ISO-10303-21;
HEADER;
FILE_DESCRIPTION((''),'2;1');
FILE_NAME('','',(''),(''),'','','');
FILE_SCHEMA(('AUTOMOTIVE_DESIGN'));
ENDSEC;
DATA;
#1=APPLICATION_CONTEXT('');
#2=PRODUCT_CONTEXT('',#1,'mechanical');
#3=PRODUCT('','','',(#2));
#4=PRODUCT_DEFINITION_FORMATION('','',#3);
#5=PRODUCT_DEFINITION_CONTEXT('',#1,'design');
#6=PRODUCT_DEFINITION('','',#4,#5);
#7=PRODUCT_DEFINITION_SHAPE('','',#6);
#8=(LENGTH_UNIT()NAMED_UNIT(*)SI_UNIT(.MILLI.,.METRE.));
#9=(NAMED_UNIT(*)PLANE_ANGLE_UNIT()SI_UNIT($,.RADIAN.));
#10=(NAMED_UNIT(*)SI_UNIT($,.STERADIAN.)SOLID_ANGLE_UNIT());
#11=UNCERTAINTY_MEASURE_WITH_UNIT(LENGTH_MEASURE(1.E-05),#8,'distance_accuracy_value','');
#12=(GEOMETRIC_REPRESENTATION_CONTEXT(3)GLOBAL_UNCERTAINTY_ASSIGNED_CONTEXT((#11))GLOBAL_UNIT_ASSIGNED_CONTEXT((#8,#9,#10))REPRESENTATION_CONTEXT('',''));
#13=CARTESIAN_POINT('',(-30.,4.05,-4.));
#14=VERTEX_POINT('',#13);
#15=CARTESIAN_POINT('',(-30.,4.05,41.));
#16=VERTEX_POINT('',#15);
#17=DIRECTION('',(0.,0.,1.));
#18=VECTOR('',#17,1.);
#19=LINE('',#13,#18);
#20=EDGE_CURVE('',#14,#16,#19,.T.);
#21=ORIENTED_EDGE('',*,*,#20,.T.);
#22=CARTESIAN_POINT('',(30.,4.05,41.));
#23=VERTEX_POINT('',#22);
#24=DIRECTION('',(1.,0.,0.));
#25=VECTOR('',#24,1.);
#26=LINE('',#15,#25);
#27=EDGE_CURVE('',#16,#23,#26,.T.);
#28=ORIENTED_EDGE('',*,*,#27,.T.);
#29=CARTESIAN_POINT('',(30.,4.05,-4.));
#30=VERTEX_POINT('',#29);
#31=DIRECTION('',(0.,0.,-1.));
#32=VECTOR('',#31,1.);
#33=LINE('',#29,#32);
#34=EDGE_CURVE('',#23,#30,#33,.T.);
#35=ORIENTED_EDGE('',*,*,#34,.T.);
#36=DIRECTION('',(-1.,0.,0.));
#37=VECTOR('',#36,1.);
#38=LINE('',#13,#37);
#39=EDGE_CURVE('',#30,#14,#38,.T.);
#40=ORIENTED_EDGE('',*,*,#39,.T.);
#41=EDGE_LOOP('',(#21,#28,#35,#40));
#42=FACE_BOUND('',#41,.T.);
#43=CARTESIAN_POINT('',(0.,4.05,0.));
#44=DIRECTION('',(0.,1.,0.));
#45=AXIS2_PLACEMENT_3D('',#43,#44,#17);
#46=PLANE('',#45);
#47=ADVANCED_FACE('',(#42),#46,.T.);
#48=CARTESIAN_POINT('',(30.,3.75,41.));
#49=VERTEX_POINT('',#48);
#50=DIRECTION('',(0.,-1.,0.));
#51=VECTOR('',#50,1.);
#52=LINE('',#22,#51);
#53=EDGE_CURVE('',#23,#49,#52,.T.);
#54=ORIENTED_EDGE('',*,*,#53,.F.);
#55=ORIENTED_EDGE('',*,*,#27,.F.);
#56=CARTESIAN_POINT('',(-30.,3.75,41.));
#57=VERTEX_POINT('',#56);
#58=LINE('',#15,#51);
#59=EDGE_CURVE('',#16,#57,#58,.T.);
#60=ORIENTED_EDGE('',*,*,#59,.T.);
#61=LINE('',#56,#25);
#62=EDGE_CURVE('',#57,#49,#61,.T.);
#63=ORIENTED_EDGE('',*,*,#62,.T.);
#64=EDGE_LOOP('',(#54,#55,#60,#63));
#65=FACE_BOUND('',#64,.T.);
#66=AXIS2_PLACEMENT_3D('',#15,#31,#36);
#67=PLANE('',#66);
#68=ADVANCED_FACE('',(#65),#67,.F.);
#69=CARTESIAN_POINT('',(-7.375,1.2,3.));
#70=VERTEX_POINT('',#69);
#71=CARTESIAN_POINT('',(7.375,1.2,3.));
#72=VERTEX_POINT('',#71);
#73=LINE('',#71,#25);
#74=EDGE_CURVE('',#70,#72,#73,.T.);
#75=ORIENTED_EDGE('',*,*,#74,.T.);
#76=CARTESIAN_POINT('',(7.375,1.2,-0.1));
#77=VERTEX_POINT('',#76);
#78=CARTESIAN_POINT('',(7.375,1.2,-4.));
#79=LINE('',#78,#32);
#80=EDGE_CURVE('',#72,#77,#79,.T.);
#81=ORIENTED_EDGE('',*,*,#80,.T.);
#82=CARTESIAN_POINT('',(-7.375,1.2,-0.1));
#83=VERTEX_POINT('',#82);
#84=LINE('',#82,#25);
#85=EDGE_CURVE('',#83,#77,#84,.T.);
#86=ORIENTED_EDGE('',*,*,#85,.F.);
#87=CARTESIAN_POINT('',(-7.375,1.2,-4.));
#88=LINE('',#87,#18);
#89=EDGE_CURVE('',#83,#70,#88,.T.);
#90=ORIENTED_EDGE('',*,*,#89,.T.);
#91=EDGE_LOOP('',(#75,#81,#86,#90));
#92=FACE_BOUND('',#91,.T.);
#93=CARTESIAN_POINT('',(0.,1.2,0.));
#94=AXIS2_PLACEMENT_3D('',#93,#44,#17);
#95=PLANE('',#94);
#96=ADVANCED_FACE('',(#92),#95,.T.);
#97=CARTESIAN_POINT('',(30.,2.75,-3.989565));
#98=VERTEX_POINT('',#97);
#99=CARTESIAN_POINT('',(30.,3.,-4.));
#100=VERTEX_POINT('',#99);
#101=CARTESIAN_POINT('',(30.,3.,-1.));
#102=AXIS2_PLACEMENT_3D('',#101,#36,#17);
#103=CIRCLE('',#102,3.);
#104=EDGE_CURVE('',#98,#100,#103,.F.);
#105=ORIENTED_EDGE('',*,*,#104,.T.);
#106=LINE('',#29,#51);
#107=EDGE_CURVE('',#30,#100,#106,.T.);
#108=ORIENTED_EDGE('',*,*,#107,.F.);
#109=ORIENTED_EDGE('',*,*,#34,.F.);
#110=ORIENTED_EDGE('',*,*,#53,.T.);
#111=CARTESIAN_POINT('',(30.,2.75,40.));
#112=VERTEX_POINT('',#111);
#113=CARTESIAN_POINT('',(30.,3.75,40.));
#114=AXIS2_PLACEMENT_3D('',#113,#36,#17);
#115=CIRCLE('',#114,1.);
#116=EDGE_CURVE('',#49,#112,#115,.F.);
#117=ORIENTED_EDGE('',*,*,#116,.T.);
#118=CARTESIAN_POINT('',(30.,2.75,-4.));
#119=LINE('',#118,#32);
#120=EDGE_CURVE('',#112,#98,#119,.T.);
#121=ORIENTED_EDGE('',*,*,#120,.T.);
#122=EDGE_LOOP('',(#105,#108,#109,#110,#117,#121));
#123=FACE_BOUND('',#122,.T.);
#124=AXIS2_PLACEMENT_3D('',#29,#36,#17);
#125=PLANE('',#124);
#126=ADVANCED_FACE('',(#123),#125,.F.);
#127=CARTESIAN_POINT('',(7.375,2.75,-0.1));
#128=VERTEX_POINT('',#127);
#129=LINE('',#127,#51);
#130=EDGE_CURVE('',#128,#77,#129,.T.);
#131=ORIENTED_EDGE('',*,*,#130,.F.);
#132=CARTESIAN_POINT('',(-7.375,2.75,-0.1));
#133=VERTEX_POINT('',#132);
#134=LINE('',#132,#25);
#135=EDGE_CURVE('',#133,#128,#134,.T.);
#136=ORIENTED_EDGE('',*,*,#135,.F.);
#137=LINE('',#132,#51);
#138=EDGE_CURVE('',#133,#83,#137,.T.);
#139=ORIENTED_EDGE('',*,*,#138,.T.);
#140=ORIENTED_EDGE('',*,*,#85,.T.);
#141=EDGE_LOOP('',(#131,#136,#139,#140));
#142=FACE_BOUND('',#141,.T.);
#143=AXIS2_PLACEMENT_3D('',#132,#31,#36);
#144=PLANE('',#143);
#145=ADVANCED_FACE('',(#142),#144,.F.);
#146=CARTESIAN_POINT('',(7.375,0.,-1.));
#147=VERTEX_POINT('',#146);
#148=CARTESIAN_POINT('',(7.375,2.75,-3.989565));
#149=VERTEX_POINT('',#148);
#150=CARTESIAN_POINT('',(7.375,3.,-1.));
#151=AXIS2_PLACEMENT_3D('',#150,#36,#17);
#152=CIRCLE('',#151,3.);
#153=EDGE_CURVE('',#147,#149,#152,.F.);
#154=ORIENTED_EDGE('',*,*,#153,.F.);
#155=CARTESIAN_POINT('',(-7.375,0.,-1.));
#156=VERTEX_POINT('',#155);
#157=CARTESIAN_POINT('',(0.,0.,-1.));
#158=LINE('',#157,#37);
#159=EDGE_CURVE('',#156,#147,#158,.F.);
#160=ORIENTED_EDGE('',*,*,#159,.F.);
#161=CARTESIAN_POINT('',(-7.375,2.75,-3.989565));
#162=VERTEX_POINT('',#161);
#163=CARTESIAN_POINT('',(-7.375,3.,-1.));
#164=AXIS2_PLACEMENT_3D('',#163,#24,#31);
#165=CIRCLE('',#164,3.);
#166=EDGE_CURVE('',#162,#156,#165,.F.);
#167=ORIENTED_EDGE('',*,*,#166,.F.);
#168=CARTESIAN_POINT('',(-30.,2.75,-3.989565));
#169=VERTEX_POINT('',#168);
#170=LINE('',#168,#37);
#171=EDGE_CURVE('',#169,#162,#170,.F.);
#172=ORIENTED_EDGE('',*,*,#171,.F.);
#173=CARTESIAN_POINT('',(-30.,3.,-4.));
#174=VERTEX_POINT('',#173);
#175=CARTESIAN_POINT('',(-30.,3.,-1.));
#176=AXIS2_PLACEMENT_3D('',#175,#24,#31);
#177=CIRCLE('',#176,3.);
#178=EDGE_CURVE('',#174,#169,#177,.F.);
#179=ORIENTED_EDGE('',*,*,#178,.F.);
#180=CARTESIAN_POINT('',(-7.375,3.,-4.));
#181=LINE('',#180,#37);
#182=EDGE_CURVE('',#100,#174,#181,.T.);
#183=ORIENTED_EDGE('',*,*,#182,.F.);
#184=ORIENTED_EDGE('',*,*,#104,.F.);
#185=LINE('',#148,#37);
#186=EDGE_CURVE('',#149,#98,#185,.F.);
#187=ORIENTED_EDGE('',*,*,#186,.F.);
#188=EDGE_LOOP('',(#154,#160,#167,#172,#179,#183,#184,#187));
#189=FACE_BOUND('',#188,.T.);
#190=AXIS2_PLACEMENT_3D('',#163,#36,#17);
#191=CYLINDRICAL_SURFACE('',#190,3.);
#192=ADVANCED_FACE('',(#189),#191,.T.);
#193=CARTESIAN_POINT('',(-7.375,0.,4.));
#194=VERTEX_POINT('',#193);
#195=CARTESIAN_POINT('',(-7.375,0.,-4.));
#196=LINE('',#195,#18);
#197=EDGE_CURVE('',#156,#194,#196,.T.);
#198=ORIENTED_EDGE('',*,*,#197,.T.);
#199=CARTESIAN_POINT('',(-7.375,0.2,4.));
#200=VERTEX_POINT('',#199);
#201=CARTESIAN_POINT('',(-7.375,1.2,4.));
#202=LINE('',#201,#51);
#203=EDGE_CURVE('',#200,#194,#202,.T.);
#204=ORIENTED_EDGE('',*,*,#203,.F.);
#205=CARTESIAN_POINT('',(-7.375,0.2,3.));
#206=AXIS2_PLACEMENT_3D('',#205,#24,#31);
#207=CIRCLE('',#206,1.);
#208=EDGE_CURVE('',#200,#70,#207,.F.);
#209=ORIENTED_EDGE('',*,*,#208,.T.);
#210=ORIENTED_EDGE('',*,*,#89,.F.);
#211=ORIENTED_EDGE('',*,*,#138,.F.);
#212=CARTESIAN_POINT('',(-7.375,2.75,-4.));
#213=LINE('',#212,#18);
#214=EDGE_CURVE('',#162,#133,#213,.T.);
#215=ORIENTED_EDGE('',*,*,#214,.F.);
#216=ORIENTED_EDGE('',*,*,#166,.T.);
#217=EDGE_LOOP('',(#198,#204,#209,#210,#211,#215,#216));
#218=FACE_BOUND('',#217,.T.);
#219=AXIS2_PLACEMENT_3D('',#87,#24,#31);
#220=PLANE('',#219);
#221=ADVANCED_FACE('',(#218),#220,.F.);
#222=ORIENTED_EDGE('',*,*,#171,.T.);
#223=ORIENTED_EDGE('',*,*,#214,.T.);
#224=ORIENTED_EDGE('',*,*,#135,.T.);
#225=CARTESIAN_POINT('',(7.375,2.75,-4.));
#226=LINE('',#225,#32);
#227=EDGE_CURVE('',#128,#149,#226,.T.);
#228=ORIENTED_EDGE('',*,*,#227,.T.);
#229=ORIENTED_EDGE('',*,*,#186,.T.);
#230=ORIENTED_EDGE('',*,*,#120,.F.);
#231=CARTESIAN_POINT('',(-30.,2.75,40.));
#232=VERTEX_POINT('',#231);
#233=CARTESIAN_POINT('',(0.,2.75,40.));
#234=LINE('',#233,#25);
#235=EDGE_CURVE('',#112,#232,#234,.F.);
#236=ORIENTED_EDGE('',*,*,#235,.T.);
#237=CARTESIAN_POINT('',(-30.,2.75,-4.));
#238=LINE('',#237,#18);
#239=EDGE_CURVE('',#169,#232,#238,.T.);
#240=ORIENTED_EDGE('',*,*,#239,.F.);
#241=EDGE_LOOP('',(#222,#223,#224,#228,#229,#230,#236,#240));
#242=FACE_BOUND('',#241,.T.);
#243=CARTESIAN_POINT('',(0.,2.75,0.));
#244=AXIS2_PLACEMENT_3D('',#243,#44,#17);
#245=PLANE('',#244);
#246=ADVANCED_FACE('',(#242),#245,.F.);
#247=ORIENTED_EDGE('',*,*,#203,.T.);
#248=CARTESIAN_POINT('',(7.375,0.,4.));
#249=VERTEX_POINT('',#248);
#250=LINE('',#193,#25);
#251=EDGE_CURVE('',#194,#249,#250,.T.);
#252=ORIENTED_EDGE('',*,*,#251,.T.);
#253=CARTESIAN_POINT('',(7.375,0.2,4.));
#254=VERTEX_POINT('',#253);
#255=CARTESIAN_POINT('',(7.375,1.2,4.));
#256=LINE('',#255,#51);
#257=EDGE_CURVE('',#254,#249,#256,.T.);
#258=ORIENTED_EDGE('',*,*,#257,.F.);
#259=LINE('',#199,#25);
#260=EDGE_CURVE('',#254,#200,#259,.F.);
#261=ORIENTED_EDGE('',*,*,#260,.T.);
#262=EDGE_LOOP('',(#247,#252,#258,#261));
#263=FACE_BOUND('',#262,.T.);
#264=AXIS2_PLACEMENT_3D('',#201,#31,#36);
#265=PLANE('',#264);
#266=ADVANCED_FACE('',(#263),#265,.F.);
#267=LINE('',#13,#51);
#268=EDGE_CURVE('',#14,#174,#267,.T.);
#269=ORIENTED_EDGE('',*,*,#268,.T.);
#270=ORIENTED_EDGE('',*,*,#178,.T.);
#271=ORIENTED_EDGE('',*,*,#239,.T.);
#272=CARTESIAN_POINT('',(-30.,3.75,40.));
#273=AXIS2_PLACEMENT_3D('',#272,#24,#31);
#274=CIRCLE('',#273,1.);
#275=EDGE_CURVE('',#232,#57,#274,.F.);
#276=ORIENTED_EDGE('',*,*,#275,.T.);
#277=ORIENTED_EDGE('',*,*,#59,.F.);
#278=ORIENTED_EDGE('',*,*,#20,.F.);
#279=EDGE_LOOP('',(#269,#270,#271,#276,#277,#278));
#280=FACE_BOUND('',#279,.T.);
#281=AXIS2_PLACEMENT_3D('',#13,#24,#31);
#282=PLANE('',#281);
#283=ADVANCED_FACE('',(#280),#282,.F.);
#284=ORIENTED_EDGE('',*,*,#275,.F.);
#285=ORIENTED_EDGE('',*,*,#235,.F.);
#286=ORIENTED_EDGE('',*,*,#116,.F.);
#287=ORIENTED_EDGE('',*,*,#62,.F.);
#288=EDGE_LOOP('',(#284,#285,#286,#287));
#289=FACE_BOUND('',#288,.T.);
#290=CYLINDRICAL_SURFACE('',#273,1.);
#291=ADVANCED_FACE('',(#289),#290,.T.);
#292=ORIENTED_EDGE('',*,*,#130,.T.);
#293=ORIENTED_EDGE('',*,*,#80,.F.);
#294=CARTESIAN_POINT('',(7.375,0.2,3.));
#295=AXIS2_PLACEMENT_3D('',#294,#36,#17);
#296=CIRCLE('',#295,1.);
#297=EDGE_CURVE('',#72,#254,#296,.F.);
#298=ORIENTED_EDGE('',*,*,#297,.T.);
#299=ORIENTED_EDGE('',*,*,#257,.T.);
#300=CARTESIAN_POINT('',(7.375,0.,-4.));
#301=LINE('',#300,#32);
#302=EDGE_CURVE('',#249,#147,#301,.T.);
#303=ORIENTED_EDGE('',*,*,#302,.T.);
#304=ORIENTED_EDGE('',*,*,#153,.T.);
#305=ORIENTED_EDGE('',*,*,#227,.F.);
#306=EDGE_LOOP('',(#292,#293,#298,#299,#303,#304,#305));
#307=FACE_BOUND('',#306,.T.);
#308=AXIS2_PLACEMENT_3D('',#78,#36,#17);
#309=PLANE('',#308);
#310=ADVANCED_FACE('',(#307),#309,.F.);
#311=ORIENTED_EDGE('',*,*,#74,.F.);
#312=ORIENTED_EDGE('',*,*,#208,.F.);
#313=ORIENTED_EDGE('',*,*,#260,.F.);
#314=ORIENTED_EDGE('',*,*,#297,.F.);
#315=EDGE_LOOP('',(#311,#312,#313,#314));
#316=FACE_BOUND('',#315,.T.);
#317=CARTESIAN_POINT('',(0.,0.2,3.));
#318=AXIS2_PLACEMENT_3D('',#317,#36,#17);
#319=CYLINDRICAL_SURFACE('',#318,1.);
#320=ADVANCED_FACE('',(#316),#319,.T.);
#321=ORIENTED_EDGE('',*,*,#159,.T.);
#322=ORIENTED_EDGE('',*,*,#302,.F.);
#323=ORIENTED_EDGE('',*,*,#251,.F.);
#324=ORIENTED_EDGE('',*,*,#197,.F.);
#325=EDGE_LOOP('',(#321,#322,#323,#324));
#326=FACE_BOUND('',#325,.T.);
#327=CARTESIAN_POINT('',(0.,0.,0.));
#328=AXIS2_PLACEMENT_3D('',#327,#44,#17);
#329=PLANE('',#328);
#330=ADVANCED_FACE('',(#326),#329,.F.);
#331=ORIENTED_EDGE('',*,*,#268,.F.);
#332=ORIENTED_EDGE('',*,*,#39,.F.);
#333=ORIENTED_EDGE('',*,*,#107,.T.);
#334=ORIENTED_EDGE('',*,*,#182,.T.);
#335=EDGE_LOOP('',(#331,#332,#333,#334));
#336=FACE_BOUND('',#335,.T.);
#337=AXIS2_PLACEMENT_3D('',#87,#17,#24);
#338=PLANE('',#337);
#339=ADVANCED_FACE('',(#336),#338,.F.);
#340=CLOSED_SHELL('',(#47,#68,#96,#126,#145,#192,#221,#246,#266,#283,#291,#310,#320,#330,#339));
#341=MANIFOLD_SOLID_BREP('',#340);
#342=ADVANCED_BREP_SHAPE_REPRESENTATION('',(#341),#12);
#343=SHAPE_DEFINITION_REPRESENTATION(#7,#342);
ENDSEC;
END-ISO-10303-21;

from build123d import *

# Parameters (mm, degrees)
SKETCH_1_W      = 14.75
SKETCH_1_H      = 8
EXTRUDE_1_DEPTH = 1.2
SKETCH_2_W      = 14.75
SKETCH_2_H      = 3.9
EXTRUDE_2_DEPTH = 1.55
SKETCH_3_W      = 60
SKETCH_3_H      = 45
EXTRUDE_3_DEPTH = 1.3
FILLET_1_R      = 3
FILLET_2_R      = 1
FILLET_3_R      = 1


with BuildPart() as part:
    # 草图1 → 凸台-拉伸1 (new body)
    with BuildSketch(Plane(origin=(0, 0, 0), x_dir=(1, 0, 0), z_dir=(0, 1, 0))):
        Rectangle(SKETCH_1_W, SKETCH_1_H)
    extrude(amount=EXTRUDE_1_DEPTH)

    # 草图2 → 凸台-拉伸2 (add)
    with BuildSketch(Plane(origin=(0, 1.2, 0), x_dir=(1, 0, 0), z_dir=(0, 1, 0))):
        with Locations((0, 2.05)):
            Rectangle(SKETCH_2_W, SKETCH_2_H)
    extrude(amount=EXTRUDE_2_DEPTH)

    # 草图3 → 凸台-拉伸3 (add)
    with BuildSketch(Plane(origin=(0, 2.75, 0), x_dir=(1, 0, 0), z_dir=(0, 1, 0))):
        with Locations((0, -18.5)):
            Rectangle(SKETCH_3_W, SKETCH_3_H)
    extrude(amount=EXTRUDE_3_DEPTH)

    # 圆角1
    fillet_1_edges = [part.edges().sort_by_distance(p)[0] for p in [
        (0, 0, -4),
    ]]
    fillet(fillet_1_edges, radius=FILLET_1_R)

    # 圆角2
    fillet_2_edges = [part.edges().sort_by_distance(p)[0] for p in [
        (0, 1.2, 4),
    ]]
    fillet(fillet_2_edges, radius=FILLET_2_R)

    # 圆角3
    fillet_3_edges = [part.edges().sort_by_distance(p)[0] for p in [
        (0, 2.75, 41),
    ]]
    fillet(fillet_3_edges, radius=FILLET_3_R)


solid = part.part
